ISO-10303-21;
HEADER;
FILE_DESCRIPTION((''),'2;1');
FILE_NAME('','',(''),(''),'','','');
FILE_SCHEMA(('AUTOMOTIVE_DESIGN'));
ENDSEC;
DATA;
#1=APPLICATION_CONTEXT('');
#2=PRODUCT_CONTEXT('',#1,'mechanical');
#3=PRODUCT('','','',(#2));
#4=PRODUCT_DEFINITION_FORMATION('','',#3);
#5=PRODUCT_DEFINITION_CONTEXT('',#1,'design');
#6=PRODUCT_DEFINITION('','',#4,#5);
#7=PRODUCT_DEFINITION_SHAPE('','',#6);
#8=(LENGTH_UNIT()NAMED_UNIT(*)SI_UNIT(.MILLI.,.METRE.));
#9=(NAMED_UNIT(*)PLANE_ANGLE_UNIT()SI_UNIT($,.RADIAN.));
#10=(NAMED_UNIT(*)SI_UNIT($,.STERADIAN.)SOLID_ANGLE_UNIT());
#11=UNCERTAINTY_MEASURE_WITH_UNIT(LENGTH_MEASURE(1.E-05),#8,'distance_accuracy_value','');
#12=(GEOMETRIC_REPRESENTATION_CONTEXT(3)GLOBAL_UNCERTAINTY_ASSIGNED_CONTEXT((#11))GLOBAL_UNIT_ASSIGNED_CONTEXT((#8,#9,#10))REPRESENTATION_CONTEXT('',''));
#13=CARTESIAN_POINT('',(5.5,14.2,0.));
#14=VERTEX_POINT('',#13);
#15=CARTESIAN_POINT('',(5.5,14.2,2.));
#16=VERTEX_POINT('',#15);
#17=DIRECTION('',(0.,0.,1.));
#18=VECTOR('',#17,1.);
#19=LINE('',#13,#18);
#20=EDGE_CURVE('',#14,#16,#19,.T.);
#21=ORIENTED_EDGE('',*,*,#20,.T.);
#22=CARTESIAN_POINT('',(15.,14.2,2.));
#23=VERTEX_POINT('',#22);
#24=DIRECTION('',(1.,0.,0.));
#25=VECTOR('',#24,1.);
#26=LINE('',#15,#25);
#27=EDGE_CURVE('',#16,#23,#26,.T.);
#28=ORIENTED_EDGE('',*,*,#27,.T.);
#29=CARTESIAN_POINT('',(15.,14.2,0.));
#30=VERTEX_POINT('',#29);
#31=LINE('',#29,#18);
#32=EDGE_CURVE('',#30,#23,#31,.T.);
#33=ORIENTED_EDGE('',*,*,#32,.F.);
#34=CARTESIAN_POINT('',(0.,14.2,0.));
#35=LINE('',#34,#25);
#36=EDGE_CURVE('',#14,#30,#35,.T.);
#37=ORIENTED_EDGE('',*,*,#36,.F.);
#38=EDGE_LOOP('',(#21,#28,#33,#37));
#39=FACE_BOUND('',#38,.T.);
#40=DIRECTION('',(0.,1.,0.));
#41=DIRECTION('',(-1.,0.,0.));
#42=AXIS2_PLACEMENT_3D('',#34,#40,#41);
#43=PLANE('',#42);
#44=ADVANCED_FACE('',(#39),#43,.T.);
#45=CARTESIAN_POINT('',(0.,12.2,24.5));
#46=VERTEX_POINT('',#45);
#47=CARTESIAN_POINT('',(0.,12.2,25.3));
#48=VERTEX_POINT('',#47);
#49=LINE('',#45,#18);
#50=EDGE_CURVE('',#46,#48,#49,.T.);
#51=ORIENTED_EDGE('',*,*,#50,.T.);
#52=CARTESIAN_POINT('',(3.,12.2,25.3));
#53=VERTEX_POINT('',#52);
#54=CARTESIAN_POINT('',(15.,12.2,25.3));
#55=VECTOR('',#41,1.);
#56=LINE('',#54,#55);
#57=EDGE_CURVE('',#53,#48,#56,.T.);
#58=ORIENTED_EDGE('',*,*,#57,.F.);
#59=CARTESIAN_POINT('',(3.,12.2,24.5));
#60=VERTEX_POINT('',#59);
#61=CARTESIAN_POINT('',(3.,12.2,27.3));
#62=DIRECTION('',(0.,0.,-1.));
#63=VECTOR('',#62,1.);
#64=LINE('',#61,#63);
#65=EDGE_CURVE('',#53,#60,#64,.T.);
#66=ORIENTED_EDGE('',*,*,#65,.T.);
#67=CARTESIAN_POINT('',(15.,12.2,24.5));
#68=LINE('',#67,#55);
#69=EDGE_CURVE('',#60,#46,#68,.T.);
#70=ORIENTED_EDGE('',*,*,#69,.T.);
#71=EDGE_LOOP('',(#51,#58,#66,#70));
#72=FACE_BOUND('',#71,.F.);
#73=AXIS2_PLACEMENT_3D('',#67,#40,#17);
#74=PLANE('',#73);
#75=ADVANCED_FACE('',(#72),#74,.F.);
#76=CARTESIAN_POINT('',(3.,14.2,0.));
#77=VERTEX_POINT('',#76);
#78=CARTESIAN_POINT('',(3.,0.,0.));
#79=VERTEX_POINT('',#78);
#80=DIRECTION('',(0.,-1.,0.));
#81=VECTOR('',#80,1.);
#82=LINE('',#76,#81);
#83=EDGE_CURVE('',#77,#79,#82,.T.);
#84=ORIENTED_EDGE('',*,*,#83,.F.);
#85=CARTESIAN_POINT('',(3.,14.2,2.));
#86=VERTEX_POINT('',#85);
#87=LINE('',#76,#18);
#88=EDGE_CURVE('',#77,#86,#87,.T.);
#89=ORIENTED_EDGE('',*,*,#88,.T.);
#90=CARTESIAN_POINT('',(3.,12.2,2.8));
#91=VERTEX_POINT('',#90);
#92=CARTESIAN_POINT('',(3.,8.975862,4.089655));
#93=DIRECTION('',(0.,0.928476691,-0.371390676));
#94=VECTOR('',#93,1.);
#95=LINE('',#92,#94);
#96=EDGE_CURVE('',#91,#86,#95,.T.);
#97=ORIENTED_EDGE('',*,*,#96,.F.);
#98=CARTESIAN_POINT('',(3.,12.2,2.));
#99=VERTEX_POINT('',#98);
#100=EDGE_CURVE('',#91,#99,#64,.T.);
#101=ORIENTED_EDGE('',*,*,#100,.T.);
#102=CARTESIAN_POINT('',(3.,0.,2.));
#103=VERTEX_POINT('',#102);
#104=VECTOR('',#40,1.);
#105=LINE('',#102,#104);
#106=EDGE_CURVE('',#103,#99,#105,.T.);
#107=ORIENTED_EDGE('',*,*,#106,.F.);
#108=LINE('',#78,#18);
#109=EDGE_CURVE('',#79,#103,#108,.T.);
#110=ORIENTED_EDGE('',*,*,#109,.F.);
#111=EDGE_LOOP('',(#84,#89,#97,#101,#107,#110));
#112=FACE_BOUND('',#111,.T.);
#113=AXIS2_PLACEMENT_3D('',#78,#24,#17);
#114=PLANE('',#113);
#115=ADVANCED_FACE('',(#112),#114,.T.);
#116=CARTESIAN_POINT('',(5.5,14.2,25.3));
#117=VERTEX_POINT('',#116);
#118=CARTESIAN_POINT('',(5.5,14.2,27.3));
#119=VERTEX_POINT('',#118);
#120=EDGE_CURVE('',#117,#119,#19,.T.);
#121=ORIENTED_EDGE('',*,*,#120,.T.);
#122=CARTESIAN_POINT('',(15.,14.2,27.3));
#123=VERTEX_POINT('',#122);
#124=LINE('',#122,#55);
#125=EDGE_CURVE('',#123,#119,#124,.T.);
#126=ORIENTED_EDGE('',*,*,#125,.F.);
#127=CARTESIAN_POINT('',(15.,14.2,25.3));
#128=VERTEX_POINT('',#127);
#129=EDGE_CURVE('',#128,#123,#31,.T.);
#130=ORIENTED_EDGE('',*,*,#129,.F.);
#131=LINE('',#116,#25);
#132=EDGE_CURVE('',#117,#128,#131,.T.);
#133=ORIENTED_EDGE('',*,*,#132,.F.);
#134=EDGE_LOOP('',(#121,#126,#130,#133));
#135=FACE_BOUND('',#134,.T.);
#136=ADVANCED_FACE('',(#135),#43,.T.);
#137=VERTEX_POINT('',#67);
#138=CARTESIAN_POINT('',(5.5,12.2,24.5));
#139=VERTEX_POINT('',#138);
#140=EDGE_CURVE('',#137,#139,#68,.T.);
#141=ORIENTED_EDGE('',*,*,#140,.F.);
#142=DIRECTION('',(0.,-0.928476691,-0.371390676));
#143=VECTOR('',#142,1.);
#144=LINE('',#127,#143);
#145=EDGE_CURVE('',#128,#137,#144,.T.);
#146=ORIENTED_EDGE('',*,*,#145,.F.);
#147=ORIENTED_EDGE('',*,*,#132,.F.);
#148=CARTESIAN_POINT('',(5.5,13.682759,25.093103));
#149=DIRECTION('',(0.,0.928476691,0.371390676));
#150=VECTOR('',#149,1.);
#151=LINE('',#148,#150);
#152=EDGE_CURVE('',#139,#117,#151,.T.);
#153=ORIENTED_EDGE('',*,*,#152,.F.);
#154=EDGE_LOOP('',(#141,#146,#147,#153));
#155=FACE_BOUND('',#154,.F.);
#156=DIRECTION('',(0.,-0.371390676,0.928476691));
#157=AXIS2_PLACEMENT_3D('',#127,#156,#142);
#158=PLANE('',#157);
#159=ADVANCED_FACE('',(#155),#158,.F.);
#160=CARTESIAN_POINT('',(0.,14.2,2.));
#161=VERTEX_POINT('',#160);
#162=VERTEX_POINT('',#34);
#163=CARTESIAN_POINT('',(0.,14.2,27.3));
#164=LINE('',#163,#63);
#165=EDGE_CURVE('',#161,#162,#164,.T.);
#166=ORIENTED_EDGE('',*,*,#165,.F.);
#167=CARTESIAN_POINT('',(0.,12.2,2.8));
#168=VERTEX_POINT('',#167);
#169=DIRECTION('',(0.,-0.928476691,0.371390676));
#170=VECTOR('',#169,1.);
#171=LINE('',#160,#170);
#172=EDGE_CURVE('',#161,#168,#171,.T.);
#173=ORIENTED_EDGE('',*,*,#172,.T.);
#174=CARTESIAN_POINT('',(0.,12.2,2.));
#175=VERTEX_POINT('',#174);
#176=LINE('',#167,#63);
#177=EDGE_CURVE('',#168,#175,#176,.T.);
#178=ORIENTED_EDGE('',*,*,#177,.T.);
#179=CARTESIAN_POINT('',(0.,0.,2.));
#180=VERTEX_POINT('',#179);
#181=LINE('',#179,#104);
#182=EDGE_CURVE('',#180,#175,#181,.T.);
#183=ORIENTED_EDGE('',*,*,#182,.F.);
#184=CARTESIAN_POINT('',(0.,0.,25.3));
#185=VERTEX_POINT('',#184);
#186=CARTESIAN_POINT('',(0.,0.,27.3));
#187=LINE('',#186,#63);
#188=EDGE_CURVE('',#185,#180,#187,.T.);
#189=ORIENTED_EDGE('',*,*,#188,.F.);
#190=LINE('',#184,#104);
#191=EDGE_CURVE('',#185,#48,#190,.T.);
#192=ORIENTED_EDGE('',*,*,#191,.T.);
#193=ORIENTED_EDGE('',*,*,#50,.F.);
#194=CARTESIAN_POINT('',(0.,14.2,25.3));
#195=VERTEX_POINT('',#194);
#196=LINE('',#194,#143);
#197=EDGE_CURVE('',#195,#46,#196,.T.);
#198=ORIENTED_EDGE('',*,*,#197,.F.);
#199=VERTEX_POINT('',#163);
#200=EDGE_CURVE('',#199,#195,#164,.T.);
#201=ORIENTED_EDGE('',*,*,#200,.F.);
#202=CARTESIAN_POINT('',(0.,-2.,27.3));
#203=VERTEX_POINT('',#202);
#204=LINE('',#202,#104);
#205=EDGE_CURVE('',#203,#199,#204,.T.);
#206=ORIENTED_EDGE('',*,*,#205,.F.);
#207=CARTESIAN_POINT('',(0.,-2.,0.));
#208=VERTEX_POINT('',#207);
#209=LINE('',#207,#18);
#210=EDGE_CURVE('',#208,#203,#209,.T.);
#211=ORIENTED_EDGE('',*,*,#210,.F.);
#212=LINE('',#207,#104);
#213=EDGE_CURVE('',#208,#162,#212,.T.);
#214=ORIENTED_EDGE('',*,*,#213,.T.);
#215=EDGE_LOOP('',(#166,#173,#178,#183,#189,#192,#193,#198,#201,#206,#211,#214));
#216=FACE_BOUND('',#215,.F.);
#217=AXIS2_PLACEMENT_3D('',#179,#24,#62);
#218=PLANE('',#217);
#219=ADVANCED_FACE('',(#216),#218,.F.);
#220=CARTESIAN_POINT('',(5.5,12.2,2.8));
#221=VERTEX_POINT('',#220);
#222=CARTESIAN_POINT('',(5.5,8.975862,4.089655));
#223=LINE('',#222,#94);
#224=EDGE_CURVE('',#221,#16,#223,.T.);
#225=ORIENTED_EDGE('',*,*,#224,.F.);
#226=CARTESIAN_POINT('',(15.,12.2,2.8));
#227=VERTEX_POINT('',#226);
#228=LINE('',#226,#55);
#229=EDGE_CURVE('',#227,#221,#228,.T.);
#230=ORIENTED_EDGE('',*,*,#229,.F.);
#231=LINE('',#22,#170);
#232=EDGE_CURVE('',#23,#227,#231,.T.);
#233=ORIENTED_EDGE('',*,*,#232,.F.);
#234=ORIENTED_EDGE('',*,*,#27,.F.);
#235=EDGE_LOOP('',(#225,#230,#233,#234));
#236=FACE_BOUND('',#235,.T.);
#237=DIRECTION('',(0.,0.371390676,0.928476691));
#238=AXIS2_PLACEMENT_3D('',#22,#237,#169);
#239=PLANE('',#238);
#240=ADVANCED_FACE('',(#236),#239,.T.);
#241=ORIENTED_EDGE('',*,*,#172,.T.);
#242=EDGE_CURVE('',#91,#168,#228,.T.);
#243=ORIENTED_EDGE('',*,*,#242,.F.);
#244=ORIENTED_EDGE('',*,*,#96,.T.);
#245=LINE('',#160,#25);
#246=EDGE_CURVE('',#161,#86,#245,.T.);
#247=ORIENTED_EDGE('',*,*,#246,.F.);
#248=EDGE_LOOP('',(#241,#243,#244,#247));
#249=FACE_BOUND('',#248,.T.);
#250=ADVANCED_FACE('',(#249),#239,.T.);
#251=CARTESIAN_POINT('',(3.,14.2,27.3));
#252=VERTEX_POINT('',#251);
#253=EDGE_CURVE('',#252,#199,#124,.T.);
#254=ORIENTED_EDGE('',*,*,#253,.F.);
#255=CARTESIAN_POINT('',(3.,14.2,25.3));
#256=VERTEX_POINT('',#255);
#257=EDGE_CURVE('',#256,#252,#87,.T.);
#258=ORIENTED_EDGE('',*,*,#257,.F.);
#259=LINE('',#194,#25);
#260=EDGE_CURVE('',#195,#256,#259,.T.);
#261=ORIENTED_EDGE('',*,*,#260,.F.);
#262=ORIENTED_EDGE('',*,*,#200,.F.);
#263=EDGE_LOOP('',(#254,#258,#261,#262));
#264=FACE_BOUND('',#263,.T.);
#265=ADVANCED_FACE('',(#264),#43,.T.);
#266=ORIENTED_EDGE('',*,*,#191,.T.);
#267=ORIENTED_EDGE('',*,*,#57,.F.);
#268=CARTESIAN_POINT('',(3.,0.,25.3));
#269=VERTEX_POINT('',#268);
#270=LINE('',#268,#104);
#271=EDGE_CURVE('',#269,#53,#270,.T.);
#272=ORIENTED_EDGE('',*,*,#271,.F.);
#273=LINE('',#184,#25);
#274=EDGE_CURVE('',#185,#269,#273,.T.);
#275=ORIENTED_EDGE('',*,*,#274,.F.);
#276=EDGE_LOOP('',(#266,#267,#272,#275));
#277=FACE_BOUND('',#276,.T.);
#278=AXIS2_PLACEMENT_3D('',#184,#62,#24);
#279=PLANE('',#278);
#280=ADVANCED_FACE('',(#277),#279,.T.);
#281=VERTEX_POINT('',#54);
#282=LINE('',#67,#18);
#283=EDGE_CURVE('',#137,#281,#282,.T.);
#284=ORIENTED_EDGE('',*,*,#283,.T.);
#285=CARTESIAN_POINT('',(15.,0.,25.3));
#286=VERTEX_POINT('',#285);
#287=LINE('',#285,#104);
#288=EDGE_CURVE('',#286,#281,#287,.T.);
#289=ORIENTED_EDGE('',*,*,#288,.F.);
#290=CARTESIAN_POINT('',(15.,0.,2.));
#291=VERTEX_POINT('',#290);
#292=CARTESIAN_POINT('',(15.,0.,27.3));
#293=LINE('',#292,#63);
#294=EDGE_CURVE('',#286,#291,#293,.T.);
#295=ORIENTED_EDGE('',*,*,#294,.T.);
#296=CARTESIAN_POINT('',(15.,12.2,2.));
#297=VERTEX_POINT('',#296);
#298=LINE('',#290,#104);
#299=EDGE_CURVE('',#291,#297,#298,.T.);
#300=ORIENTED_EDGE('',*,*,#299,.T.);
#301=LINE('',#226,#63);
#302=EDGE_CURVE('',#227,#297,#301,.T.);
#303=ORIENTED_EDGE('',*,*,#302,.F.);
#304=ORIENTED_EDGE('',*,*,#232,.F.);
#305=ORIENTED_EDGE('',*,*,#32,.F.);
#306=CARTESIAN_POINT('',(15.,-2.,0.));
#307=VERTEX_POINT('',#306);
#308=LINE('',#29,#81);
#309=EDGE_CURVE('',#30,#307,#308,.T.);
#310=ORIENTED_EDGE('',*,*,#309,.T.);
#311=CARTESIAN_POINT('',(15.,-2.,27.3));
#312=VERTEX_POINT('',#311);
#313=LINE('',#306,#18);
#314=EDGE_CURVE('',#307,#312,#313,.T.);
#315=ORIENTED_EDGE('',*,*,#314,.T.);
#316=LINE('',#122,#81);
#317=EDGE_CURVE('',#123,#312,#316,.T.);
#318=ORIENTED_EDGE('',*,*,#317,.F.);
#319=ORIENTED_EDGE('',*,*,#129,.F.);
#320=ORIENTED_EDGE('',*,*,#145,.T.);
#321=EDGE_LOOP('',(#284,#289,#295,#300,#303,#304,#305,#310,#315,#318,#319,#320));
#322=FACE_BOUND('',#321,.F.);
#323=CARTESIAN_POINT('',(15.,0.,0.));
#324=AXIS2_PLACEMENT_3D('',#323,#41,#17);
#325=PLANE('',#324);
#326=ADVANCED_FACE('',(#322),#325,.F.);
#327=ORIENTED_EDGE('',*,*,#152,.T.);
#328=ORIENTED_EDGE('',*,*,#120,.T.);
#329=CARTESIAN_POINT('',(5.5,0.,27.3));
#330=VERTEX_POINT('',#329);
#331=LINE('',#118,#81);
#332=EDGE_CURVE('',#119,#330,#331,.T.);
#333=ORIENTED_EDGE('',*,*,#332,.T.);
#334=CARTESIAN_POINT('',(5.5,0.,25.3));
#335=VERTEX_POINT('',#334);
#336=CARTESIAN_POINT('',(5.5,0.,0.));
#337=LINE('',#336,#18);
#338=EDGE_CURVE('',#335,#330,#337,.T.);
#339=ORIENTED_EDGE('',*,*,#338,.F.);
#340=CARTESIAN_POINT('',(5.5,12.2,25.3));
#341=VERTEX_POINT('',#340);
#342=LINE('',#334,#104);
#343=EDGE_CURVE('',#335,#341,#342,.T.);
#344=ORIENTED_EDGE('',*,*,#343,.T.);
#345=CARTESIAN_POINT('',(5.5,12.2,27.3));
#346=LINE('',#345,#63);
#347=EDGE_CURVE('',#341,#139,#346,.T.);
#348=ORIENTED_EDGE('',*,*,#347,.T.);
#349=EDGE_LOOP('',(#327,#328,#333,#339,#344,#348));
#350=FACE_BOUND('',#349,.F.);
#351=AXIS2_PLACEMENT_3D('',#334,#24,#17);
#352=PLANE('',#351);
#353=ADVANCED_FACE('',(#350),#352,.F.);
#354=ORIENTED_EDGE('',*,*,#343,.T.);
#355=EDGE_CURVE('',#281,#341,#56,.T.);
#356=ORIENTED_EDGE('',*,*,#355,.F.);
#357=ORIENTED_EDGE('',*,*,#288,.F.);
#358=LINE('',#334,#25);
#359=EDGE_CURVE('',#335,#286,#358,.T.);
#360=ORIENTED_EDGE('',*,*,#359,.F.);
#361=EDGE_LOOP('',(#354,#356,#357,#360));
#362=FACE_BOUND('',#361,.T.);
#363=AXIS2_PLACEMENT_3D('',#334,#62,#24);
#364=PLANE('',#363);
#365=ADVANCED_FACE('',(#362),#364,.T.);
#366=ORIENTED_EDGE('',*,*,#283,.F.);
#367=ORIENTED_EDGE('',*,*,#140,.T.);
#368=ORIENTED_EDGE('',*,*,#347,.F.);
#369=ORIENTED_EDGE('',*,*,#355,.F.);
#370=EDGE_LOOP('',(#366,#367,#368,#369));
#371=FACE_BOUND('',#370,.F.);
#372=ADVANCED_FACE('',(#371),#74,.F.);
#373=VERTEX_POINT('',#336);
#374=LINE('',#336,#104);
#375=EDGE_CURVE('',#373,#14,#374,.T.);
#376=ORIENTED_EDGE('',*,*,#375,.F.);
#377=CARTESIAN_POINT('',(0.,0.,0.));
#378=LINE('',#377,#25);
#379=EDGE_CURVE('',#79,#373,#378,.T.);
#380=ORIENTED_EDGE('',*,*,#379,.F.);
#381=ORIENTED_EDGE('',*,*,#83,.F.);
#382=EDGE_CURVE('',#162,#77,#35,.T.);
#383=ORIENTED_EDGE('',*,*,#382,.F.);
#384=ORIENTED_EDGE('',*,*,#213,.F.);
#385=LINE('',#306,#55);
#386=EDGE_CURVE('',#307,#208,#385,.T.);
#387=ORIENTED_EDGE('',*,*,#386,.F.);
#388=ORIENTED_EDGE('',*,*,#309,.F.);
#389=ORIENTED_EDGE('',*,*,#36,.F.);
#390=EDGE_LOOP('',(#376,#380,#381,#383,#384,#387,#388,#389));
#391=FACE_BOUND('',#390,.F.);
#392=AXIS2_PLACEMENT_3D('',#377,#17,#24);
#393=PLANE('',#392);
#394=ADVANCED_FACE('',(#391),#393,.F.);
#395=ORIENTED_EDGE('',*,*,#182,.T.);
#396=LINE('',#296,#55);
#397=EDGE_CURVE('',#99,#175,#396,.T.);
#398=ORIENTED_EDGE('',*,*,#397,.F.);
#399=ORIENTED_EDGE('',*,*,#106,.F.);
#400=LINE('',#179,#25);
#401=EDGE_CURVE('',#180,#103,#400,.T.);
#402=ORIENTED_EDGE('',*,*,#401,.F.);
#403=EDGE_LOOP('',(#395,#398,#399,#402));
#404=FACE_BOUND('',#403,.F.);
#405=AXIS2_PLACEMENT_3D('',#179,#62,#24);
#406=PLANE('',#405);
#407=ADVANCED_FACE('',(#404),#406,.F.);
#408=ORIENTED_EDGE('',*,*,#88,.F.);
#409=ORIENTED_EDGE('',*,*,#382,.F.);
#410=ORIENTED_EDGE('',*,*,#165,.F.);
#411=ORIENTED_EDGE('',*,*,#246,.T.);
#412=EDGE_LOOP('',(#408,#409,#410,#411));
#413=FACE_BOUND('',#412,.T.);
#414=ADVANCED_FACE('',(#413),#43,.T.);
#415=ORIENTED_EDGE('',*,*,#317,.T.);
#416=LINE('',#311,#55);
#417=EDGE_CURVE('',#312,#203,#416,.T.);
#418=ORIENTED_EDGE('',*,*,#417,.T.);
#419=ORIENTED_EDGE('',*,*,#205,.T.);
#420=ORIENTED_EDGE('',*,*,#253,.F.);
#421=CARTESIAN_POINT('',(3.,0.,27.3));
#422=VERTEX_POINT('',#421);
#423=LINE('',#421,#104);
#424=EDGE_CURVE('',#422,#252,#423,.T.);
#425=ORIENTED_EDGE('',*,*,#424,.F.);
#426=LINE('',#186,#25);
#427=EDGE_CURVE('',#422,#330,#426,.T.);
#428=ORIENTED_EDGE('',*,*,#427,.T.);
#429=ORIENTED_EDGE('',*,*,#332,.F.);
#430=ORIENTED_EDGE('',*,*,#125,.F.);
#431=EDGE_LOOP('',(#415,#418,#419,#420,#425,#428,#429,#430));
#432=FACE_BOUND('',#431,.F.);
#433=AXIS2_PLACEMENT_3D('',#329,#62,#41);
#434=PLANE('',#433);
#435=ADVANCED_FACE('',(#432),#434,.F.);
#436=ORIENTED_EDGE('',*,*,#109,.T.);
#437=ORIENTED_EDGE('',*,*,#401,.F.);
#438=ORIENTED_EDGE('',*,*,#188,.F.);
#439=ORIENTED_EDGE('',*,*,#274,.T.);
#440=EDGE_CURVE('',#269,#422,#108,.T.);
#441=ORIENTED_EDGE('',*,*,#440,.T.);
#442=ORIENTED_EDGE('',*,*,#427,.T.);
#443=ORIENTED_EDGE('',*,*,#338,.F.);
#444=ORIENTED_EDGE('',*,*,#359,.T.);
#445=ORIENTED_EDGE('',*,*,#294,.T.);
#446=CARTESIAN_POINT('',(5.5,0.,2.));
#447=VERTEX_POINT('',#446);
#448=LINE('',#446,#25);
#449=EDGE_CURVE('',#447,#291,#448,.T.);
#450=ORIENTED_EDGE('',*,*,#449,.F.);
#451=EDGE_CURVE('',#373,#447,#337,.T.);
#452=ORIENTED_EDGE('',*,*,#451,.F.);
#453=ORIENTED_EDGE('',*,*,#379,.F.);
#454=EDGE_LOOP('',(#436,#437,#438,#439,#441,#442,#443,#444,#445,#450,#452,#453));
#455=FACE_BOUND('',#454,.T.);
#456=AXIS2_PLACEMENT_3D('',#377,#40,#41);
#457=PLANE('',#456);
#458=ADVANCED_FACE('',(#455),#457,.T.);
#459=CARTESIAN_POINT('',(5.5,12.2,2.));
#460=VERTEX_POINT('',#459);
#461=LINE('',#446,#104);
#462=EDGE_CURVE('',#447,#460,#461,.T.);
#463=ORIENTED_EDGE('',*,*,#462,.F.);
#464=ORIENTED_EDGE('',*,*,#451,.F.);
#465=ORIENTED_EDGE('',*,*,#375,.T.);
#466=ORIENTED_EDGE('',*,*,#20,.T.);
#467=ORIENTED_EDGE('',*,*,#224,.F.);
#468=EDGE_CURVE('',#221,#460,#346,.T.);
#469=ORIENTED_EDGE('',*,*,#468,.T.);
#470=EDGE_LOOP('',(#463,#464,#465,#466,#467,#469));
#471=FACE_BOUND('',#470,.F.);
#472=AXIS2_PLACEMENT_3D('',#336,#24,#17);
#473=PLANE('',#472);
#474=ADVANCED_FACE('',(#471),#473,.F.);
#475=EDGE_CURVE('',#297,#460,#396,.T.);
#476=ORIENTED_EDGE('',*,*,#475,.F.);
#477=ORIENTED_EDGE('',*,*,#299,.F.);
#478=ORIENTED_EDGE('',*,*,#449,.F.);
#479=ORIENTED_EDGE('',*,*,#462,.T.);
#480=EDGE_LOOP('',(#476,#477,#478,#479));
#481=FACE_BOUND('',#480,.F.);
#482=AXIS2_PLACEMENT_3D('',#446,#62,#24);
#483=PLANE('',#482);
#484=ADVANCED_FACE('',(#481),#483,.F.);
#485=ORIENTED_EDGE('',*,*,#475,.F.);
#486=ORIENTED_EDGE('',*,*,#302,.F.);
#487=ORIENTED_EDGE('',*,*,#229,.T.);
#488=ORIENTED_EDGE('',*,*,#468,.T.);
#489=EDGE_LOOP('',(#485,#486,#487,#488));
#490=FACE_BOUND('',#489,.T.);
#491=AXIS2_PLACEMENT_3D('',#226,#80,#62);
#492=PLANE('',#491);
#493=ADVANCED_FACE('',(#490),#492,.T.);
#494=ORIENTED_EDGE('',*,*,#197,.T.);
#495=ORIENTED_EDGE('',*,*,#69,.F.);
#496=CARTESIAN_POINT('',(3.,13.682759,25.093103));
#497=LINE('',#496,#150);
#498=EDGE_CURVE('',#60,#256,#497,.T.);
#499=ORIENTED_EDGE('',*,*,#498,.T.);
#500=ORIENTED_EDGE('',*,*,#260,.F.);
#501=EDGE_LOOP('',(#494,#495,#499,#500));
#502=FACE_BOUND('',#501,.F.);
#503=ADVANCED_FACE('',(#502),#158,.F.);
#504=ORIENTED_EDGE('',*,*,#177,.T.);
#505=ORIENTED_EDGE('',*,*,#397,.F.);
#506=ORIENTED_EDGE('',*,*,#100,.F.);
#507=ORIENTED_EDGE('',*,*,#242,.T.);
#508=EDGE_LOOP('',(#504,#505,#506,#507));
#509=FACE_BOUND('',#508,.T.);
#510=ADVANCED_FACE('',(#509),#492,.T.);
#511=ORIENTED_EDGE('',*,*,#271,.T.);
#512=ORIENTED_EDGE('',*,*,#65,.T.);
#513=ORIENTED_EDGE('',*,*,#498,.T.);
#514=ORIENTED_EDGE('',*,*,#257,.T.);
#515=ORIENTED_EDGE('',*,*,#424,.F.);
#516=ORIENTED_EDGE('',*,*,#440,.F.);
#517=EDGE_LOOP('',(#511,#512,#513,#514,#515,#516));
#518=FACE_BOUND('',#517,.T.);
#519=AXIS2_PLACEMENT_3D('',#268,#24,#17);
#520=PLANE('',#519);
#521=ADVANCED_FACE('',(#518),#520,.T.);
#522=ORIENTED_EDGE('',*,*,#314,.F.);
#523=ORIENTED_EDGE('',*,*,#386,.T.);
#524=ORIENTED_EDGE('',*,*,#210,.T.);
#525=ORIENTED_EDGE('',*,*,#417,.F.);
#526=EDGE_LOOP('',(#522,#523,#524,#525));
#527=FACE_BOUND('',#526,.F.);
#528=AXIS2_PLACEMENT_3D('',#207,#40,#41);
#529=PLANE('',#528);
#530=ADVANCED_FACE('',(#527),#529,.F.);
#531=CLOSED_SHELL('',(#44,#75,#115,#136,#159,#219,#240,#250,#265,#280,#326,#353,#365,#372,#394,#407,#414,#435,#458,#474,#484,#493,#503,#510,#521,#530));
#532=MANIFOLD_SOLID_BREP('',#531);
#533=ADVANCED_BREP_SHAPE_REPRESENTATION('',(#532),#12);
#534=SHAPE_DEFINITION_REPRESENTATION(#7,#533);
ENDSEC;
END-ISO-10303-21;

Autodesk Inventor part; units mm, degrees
ref_plane "YZ Plane" through (0, 0, 0) normal (1, 0, 0) x (0, 1, 0)
ref_plane "XZ Plane" through (0, 0, 0) normal (0, 1, 0) x (-1, 0, 0)
ref_plane "XY Plane" through (0, 0, 0) normal (0, 0, 1) x (1, 0, 0)
sketch "Sketch1" plane through (0, 0, 0) normal (0, 1, 0) x (-1, 0, 0)
  line L0 (0, 0) -> (-15, 0)
  line L1 (-15, 0) -> (-15, 27.3)
  line L2 (-15, 27.3) -> (0, 27.3)
  line L3 (0, 27.3) -> (0, 0)
  line L4 (-3, 0) -> (-3, 27.3)
  line L5 (-5.5, 0) -> (-5.5, 27.3)
  line L6 (0, 2) -> (-3, 2)
  line L7 (0, 25.3) -> (-3, 25.3)
  line L8 (-5.5, 2) -> (-15, 2)
  line L9 (-5.5, 25.3) -> (-15, 25.3)
  dimension "d0" = 27.3
  dimension "d1" = 15
  dimension "d2" = 3
  dimension "d3" = 2.5
  dimension "d4" = 2
  dimension "d5" = 2
  dimension "d6" = 2
  dimension "d7" = 2
extrude "Extrusion1" add sketch "Sketch1" against normal blind 2
extrude "Extrusion2" add sketch "Sketch1" along normal blind 14.2 contours L0 L4 L6 L3 | L0 L1 L8 L5 | L7 L4 L2 L3 | L9 L1 L2 L5
sketch "Sketch2" plane through (15, -2, 27.3) normal (1, 0, 0) x (0, 0, -1)
  line L0 (25.3, 2) -> (25.3, 16.2) projected
  line L1 (2, 2) -> (2, 16.2) projected
  line L2 (25.3, 16.2) -> (27.3, 16.2) projected
  line L3 (2, 16.2) -> (2.8, 14.2)
  line L4 (2.8, 14.2) -> (2, 14.2)
  line L5 (25.3, 16.2) -> (24.5, 14.2)
  line L6 (24.5, 14.2) -> (25.3, 14.2)
  point P0 (27.3, 2)
  dimension "d12" = 2
  dimension "d13" = 2
  dimension "d14" = 0.8
  dimension "d15" = 0.8
extrude "Extrusion3" add sketch "Sketch2" against normal up to surface (15 mm away)
sketch "Sketch3" plane through (0, -2, 27.3) normal (0, 0, 1) x (1, 0, 0)
  line L0 (3, 14.2) -> (3, 16.2) projected
  line L1 (5.5, 14.2) -> (3, 14.2) projected
  line L2 (5.5, 14.2) -> (5.5, 16.2) projected
  line L3 (5.5, 16.2) -> (3, 16.2) projected
  point P0 (0, 2)
extrude "Extrusion4" cut sketch "Sketch3" against normal through all
properties part number "servo clip"
